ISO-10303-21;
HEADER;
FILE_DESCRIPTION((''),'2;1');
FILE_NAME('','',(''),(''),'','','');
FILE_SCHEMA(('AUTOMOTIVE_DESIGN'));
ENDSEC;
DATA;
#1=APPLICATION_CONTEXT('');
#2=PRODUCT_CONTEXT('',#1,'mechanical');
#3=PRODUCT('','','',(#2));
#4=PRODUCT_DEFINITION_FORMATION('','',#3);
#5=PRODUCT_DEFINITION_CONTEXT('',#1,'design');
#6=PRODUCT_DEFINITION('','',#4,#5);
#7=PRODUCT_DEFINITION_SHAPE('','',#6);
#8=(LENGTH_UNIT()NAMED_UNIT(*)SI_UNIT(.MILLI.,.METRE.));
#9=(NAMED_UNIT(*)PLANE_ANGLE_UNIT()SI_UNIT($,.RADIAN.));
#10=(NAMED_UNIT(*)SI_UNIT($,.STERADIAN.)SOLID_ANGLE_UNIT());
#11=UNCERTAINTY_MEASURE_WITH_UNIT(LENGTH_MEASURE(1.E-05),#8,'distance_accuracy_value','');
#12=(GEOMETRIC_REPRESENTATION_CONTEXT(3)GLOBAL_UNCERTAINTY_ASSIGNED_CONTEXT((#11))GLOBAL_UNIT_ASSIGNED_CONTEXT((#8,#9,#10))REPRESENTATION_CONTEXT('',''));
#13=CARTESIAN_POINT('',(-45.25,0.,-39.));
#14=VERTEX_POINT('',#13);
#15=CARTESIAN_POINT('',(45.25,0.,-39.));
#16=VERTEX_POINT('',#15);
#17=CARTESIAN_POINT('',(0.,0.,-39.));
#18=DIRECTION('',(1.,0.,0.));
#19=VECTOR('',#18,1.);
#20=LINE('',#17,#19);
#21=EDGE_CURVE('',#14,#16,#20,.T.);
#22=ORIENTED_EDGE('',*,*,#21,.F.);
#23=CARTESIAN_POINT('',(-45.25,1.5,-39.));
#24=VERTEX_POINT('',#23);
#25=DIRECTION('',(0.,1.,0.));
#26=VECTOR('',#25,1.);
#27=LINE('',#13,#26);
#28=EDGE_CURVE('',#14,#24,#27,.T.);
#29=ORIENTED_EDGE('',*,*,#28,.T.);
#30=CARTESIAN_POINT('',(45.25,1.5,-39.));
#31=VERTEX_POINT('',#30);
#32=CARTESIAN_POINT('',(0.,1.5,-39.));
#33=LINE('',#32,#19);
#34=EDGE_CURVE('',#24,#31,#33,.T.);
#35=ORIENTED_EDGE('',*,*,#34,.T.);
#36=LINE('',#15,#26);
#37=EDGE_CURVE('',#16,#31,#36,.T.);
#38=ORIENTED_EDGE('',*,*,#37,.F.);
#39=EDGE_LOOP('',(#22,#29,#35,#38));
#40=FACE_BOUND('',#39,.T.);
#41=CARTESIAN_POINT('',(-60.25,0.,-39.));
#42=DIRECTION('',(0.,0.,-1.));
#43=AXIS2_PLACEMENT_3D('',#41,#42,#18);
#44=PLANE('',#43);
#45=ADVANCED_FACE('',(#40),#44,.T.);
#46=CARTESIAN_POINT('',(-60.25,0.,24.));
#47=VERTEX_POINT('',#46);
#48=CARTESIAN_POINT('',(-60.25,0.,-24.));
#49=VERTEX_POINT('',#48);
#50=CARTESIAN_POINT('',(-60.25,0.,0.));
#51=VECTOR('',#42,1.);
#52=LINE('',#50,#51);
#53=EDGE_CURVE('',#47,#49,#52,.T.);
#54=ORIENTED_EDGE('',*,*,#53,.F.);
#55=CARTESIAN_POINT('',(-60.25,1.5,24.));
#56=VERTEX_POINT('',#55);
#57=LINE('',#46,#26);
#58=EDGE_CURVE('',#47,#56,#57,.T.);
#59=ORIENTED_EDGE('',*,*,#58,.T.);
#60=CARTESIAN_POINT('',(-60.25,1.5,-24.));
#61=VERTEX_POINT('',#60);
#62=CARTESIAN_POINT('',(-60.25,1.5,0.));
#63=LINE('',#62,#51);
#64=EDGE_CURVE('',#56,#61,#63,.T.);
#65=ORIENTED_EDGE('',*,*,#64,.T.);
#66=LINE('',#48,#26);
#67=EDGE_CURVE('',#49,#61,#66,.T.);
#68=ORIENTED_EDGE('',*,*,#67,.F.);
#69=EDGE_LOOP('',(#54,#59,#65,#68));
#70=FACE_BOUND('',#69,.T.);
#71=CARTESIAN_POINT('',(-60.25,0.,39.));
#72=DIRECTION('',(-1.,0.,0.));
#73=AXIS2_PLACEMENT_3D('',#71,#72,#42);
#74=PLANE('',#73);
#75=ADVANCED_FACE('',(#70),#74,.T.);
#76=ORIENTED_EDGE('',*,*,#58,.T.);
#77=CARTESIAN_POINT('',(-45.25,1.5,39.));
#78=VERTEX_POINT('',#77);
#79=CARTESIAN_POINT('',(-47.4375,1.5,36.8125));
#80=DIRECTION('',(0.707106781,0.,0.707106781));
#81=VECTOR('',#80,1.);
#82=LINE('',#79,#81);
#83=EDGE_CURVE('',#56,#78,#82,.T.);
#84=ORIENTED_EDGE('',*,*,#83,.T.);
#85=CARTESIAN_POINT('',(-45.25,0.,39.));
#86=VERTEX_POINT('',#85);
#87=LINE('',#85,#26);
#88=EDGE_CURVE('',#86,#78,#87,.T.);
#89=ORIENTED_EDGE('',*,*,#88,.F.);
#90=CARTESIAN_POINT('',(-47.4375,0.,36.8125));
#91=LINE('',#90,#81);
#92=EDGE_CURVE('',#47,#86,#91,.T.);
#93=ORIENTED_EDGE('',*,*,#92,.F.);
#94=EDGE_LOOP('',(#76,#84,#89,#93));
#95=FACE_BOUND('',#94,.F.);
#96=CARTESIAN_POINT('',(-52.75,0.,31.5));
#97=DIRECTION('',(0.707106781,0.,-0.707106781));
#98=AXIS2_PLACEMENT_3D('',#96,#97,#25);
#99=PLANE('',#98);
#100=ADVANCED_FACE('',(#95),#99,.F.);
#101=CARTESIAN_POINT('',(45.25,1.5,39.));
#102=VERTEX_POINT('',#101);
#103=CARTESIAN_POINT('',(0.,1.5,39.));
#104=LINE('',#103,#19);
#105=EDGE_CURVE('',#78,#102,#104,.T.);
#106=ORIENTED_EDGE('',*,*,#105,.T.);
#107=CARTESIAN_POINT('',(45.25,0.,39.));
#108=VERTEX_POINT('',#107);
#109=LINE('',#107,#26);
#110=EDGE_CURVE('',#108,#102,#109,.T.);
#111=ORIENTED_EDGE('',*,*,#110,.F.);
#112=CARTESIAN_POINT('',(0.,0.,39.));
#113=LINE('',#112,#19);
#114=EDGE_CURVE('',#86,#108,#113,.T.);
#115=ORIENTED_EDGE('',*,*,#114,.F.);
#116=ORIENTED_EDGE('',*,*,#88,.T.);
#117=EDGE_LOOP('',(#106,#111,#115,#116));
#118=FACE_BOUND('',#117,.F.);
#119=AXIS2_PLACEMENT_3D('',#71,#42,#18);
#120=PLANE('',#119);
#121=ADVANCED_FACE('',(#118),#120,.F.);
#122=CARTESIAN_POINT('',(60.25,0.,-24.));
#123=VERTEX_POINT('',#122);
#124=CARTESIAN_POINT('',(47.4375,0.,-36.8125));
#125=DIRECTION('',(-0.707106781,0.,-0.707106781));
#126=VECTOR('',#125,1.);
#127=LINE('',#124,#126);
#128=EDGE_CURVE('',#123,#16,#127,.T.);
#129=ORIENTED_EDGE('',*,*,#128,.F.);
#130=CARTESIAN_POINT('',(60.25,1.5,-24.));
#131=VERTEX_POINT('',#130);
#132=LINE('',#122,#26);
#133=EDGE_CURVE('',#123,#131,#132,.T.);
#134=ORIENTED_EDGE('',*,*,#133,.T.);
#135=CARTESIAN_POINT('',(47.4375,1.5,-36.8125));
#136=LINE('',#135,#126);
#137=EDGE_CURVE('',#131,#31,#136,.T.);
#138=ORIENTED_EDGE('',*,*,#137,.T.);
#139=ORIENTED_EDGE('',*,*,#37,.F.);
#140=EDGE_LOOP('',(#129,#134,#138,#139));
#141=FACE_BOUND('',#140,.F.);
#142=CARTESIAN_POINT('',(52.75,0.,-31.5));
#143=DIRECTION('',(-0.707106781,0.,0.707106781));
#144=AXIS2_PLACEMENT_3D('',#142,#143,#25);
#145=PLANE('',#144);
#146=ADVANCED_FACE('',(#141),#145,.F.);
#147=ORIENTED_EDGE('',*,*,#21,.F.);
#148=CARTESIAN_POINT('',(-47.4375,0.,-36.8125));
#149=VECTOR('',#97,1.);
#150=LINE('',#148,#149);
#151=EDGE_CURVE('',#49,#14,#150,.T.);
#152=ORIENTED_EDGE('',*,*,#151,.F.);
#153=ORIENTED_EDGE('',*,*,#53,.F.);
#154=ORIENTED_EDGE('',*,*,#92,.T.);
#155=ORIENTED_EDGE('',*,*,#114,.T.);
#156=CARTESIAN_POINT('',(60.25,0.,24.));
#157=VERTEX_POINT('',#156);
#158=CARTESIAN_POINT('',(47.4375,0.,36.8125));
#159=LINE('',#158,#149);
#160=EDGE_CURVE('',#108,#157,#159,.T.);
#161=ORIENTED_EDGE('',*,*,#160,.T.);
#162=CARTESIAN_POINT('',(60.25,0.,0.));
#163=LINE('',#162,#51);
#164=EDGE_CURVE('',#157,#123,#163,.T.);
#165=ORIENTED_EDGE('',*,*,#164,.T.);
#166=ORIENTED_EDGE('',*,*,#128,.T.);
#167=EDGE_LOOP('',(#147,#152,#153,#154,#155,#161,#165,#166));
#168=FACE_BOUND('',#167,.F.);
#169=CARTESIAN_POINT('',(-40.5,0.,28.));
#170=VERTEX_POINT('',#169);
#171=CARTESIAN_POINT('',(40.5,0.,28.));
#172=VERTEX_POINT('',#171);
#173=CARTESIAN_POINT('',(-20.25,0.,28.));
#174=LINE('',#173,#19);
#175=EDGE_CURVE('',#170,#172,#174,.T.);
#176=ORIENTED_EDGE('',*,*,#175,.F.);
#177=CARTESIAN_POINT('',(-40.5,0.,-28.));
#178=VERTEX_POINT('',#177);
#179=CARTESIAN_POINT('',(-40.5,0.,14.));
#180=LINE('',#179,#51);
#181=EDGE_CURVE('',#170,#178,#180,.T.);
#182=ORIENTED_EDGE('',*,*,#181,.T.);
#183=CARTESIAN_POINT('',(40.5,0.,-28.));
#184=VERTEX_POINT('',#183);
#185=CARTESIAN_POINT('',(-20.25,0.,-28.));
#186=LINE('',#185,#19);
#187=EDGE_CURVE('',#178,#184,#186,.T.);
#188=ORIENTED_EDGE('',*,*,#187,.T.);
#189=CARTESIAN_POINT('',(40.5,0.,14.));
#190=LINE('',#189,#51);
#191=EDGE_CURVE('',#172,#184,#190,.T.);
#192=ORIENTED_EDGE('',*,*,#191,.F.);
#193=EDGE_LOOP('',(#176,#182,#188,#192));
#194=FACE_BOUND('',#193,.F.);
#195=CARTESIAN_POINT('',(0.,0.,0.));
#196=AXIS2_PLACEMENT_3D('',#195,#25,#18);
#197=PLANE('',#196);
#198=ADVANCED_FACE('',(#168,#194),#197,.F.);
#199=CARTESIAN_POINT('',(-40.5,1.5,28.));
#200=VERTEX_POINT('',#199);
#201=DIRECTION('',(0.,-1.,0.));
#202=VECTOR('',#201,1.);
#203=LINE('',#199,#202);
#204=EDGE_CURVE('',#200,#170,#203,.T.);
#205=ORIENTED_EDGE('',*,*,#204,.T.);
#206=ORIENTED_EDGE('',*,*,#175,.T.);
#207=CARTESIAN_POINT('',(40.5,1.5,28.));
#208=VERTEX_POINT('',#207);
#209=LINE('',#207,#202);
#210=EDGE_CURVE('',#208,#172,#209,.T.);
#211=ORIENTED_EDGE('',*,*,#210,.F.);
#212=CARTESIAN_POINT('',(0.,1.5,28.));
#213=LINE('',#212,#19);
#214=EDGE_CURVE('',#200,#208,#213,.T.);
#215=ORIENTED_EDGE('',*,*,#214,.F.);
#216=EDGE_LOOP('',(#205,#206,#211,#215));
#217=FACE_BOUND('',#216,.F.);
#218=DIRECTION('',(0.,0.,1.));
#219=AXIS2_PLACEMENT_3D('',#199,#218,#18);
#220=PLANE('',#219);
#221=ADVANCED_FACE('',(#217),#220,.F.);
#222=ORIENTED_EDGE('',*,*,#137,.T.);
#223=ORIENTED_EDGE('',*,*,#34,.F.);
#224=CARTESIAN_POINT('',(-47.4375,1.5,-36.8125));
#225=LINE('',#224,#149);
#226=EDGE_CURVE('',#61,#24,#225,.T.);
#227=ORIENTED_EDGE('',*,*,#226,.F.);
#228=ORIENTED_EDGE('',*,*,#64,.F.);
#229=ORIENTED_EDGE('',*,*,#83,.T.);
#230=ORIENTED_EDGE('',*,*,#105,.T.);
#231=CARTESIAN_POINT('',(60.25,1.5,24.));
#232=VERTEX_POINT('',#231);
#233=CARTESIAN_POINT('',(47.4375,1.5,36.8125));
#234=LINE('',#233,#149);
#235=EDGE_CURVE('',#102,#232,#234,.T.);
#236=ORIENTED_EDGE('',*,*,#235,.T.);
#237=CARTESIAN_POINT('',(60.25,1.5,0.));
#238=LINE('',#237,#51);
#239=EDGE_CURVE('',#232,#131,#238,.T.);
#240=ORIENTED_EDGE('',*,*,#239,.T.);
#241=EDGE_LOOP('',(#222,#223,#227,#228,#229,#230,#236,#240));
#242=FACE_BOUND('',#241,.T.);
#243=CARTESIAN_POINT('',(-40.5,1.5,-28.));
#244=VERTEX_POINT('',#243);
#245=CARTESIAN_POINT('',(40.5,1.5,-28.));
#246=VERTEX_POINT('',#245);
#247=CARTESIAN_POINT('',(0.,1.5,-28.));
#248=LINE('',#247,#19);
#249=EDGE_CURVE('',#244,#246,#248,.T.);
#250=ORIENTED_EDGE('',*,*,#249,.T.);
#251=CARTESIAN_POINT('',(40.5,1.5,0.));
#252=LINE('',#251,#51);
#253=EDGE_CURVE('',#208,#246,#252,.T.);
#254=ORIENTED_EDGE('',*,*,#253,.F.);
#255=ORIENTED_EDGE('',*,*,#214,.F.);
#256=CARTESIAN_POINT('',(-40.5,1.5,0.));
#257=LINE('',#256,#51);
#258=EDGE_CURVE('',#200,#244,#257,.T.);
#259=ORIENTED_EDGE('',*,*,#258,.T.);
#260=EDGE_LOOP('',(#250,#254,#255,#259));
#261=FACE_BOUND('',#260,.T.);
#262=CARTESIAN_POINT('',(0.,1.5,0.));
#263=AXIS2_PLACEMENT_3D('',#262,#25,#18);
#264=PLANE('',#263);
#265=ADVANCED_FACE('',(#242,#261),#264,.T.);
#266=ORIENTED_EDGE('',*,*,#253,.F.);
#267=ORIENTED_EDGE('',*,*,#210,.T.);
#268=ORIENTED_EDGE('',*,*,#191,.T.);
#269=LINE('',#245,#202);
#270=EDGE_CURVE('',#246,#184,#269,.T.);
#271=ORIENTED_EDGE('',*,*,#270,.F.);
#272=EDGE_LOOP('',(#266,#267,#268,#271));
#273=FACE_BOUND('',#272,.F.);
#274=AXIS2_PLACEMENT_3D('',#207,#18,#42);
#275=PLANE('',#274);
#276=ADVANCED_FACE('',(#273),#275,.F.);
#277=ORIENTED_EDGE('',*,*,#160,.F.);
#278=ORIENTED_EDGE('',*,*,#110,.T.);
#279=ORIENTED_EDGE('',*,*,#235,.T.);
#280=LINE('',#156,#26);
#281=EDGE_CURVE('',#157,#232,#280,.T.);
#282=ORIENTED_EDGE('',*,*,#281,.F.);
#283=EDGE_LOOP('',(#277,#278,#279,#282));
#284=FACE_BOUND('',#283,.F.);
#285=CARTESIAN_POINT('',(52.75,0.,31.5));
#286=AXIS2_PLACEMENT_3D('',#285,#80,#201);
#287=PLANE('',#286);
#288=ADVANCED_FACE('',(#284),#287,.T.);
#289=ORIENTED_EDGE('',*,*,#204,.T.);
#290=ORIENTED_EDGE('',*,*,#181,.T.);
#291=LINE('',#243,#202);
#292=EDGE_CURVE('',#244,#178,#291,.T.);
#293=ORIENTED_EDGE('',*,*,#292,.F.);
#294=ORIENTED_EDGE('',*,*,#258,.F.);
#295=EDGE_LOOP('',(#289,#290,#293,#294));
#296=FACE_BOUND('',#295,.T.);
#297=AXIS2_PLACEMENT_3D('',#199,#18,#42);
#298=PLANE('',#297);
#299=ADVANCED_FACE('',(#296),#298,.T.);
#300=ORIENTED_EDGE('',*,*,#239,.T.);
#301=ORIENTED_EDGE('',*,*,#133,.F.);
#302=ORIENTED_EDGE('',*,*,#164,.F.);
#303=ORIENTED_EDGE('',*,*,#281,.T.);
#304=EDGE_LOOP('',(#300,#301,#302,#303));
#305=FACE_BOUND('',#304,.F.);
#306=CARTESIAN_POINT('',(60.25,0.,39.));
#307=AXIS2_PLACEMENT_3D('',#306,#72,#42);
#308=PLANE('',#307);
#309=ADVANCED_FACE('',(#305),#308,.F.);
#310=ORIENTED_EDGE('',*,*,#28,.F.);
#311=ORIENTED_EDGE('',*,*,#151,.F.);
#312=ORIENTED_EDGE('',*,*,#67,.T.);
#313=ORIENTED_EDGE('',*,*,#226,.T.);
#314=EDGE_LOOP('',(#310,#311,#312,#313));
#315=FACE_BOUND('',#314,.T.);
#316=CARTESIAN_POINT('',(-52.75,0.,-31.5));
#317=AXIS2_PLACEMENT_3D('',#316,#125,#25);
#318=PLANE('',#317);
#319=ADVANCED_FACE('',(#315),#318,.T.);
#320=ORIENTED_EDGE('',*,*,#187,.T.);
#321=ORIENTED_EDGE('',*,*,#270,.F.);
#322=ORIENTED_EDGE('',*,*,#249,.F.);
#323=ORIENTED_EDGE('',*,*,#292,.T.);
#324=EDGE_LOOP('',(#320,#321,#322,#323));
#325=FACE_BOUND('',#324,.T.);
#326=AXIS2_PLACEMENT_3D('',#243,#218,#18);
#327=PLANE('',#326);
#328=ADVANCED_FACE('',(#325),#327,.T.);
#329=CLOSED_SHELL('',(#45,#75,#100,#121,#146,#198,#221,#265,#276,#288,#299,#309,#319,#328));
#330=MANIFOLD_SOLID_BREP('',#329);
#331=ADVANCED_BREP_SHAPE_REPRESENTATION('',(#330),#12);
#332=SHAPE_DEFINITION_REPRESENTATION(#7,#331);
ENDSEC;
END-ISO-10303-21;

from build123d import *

# Parameters (mm, degrees)
SKETCH1_W           = 120.5
SKETCH1_H           = 78
BOSS_EXTRUDE1_DEPTH = 1.5
CHAMFER1_SIZE       = 15
SKETCH2_W           = 81
SKETCH2_H           = 56
CUT_EXTRUDE1_DEPTH  = 2


with BuildPart() as part:
    # Sketch1 → Boss-Extrude1 (new body)
    with BuildSketch(Plane(origin=(0, 0, 0), x_dir=(1, 0, 0), z_dir=(0, 1, 0))):
        Rectangle(SKETCH1_W, SKETCH1_H)
    extrude(amount=BOSS_EXTRUDE1_DEPTH)

    # Chamfer1
    chamfer1_edges = [part.edges().sort_by_distance(p)[0] for p in [
        (60.25, 0.75, 39),
        (-60.25, 0.75, 39),
        (-60.25, 0.75, -39),
        (60.25, 0.75, -39),
    ]]
    chamfer(chamfer1_edges, length=CHAMFER1_SIZE)

    # Sketch2 → Cut-Extrude1 (cut)
    with BuildSketch(Plane(origin=(0, 1.5, 0), x_dir=(1, 0, 0), z_dir=(0, 1, 0))):
        Rectangle(SKETCH2_W, SKETCH2_H)
    extrude(amount=-CUT_EXTRUDE1_DEPTH, mode=Mode.SUBTRACT)


solid = part.part
